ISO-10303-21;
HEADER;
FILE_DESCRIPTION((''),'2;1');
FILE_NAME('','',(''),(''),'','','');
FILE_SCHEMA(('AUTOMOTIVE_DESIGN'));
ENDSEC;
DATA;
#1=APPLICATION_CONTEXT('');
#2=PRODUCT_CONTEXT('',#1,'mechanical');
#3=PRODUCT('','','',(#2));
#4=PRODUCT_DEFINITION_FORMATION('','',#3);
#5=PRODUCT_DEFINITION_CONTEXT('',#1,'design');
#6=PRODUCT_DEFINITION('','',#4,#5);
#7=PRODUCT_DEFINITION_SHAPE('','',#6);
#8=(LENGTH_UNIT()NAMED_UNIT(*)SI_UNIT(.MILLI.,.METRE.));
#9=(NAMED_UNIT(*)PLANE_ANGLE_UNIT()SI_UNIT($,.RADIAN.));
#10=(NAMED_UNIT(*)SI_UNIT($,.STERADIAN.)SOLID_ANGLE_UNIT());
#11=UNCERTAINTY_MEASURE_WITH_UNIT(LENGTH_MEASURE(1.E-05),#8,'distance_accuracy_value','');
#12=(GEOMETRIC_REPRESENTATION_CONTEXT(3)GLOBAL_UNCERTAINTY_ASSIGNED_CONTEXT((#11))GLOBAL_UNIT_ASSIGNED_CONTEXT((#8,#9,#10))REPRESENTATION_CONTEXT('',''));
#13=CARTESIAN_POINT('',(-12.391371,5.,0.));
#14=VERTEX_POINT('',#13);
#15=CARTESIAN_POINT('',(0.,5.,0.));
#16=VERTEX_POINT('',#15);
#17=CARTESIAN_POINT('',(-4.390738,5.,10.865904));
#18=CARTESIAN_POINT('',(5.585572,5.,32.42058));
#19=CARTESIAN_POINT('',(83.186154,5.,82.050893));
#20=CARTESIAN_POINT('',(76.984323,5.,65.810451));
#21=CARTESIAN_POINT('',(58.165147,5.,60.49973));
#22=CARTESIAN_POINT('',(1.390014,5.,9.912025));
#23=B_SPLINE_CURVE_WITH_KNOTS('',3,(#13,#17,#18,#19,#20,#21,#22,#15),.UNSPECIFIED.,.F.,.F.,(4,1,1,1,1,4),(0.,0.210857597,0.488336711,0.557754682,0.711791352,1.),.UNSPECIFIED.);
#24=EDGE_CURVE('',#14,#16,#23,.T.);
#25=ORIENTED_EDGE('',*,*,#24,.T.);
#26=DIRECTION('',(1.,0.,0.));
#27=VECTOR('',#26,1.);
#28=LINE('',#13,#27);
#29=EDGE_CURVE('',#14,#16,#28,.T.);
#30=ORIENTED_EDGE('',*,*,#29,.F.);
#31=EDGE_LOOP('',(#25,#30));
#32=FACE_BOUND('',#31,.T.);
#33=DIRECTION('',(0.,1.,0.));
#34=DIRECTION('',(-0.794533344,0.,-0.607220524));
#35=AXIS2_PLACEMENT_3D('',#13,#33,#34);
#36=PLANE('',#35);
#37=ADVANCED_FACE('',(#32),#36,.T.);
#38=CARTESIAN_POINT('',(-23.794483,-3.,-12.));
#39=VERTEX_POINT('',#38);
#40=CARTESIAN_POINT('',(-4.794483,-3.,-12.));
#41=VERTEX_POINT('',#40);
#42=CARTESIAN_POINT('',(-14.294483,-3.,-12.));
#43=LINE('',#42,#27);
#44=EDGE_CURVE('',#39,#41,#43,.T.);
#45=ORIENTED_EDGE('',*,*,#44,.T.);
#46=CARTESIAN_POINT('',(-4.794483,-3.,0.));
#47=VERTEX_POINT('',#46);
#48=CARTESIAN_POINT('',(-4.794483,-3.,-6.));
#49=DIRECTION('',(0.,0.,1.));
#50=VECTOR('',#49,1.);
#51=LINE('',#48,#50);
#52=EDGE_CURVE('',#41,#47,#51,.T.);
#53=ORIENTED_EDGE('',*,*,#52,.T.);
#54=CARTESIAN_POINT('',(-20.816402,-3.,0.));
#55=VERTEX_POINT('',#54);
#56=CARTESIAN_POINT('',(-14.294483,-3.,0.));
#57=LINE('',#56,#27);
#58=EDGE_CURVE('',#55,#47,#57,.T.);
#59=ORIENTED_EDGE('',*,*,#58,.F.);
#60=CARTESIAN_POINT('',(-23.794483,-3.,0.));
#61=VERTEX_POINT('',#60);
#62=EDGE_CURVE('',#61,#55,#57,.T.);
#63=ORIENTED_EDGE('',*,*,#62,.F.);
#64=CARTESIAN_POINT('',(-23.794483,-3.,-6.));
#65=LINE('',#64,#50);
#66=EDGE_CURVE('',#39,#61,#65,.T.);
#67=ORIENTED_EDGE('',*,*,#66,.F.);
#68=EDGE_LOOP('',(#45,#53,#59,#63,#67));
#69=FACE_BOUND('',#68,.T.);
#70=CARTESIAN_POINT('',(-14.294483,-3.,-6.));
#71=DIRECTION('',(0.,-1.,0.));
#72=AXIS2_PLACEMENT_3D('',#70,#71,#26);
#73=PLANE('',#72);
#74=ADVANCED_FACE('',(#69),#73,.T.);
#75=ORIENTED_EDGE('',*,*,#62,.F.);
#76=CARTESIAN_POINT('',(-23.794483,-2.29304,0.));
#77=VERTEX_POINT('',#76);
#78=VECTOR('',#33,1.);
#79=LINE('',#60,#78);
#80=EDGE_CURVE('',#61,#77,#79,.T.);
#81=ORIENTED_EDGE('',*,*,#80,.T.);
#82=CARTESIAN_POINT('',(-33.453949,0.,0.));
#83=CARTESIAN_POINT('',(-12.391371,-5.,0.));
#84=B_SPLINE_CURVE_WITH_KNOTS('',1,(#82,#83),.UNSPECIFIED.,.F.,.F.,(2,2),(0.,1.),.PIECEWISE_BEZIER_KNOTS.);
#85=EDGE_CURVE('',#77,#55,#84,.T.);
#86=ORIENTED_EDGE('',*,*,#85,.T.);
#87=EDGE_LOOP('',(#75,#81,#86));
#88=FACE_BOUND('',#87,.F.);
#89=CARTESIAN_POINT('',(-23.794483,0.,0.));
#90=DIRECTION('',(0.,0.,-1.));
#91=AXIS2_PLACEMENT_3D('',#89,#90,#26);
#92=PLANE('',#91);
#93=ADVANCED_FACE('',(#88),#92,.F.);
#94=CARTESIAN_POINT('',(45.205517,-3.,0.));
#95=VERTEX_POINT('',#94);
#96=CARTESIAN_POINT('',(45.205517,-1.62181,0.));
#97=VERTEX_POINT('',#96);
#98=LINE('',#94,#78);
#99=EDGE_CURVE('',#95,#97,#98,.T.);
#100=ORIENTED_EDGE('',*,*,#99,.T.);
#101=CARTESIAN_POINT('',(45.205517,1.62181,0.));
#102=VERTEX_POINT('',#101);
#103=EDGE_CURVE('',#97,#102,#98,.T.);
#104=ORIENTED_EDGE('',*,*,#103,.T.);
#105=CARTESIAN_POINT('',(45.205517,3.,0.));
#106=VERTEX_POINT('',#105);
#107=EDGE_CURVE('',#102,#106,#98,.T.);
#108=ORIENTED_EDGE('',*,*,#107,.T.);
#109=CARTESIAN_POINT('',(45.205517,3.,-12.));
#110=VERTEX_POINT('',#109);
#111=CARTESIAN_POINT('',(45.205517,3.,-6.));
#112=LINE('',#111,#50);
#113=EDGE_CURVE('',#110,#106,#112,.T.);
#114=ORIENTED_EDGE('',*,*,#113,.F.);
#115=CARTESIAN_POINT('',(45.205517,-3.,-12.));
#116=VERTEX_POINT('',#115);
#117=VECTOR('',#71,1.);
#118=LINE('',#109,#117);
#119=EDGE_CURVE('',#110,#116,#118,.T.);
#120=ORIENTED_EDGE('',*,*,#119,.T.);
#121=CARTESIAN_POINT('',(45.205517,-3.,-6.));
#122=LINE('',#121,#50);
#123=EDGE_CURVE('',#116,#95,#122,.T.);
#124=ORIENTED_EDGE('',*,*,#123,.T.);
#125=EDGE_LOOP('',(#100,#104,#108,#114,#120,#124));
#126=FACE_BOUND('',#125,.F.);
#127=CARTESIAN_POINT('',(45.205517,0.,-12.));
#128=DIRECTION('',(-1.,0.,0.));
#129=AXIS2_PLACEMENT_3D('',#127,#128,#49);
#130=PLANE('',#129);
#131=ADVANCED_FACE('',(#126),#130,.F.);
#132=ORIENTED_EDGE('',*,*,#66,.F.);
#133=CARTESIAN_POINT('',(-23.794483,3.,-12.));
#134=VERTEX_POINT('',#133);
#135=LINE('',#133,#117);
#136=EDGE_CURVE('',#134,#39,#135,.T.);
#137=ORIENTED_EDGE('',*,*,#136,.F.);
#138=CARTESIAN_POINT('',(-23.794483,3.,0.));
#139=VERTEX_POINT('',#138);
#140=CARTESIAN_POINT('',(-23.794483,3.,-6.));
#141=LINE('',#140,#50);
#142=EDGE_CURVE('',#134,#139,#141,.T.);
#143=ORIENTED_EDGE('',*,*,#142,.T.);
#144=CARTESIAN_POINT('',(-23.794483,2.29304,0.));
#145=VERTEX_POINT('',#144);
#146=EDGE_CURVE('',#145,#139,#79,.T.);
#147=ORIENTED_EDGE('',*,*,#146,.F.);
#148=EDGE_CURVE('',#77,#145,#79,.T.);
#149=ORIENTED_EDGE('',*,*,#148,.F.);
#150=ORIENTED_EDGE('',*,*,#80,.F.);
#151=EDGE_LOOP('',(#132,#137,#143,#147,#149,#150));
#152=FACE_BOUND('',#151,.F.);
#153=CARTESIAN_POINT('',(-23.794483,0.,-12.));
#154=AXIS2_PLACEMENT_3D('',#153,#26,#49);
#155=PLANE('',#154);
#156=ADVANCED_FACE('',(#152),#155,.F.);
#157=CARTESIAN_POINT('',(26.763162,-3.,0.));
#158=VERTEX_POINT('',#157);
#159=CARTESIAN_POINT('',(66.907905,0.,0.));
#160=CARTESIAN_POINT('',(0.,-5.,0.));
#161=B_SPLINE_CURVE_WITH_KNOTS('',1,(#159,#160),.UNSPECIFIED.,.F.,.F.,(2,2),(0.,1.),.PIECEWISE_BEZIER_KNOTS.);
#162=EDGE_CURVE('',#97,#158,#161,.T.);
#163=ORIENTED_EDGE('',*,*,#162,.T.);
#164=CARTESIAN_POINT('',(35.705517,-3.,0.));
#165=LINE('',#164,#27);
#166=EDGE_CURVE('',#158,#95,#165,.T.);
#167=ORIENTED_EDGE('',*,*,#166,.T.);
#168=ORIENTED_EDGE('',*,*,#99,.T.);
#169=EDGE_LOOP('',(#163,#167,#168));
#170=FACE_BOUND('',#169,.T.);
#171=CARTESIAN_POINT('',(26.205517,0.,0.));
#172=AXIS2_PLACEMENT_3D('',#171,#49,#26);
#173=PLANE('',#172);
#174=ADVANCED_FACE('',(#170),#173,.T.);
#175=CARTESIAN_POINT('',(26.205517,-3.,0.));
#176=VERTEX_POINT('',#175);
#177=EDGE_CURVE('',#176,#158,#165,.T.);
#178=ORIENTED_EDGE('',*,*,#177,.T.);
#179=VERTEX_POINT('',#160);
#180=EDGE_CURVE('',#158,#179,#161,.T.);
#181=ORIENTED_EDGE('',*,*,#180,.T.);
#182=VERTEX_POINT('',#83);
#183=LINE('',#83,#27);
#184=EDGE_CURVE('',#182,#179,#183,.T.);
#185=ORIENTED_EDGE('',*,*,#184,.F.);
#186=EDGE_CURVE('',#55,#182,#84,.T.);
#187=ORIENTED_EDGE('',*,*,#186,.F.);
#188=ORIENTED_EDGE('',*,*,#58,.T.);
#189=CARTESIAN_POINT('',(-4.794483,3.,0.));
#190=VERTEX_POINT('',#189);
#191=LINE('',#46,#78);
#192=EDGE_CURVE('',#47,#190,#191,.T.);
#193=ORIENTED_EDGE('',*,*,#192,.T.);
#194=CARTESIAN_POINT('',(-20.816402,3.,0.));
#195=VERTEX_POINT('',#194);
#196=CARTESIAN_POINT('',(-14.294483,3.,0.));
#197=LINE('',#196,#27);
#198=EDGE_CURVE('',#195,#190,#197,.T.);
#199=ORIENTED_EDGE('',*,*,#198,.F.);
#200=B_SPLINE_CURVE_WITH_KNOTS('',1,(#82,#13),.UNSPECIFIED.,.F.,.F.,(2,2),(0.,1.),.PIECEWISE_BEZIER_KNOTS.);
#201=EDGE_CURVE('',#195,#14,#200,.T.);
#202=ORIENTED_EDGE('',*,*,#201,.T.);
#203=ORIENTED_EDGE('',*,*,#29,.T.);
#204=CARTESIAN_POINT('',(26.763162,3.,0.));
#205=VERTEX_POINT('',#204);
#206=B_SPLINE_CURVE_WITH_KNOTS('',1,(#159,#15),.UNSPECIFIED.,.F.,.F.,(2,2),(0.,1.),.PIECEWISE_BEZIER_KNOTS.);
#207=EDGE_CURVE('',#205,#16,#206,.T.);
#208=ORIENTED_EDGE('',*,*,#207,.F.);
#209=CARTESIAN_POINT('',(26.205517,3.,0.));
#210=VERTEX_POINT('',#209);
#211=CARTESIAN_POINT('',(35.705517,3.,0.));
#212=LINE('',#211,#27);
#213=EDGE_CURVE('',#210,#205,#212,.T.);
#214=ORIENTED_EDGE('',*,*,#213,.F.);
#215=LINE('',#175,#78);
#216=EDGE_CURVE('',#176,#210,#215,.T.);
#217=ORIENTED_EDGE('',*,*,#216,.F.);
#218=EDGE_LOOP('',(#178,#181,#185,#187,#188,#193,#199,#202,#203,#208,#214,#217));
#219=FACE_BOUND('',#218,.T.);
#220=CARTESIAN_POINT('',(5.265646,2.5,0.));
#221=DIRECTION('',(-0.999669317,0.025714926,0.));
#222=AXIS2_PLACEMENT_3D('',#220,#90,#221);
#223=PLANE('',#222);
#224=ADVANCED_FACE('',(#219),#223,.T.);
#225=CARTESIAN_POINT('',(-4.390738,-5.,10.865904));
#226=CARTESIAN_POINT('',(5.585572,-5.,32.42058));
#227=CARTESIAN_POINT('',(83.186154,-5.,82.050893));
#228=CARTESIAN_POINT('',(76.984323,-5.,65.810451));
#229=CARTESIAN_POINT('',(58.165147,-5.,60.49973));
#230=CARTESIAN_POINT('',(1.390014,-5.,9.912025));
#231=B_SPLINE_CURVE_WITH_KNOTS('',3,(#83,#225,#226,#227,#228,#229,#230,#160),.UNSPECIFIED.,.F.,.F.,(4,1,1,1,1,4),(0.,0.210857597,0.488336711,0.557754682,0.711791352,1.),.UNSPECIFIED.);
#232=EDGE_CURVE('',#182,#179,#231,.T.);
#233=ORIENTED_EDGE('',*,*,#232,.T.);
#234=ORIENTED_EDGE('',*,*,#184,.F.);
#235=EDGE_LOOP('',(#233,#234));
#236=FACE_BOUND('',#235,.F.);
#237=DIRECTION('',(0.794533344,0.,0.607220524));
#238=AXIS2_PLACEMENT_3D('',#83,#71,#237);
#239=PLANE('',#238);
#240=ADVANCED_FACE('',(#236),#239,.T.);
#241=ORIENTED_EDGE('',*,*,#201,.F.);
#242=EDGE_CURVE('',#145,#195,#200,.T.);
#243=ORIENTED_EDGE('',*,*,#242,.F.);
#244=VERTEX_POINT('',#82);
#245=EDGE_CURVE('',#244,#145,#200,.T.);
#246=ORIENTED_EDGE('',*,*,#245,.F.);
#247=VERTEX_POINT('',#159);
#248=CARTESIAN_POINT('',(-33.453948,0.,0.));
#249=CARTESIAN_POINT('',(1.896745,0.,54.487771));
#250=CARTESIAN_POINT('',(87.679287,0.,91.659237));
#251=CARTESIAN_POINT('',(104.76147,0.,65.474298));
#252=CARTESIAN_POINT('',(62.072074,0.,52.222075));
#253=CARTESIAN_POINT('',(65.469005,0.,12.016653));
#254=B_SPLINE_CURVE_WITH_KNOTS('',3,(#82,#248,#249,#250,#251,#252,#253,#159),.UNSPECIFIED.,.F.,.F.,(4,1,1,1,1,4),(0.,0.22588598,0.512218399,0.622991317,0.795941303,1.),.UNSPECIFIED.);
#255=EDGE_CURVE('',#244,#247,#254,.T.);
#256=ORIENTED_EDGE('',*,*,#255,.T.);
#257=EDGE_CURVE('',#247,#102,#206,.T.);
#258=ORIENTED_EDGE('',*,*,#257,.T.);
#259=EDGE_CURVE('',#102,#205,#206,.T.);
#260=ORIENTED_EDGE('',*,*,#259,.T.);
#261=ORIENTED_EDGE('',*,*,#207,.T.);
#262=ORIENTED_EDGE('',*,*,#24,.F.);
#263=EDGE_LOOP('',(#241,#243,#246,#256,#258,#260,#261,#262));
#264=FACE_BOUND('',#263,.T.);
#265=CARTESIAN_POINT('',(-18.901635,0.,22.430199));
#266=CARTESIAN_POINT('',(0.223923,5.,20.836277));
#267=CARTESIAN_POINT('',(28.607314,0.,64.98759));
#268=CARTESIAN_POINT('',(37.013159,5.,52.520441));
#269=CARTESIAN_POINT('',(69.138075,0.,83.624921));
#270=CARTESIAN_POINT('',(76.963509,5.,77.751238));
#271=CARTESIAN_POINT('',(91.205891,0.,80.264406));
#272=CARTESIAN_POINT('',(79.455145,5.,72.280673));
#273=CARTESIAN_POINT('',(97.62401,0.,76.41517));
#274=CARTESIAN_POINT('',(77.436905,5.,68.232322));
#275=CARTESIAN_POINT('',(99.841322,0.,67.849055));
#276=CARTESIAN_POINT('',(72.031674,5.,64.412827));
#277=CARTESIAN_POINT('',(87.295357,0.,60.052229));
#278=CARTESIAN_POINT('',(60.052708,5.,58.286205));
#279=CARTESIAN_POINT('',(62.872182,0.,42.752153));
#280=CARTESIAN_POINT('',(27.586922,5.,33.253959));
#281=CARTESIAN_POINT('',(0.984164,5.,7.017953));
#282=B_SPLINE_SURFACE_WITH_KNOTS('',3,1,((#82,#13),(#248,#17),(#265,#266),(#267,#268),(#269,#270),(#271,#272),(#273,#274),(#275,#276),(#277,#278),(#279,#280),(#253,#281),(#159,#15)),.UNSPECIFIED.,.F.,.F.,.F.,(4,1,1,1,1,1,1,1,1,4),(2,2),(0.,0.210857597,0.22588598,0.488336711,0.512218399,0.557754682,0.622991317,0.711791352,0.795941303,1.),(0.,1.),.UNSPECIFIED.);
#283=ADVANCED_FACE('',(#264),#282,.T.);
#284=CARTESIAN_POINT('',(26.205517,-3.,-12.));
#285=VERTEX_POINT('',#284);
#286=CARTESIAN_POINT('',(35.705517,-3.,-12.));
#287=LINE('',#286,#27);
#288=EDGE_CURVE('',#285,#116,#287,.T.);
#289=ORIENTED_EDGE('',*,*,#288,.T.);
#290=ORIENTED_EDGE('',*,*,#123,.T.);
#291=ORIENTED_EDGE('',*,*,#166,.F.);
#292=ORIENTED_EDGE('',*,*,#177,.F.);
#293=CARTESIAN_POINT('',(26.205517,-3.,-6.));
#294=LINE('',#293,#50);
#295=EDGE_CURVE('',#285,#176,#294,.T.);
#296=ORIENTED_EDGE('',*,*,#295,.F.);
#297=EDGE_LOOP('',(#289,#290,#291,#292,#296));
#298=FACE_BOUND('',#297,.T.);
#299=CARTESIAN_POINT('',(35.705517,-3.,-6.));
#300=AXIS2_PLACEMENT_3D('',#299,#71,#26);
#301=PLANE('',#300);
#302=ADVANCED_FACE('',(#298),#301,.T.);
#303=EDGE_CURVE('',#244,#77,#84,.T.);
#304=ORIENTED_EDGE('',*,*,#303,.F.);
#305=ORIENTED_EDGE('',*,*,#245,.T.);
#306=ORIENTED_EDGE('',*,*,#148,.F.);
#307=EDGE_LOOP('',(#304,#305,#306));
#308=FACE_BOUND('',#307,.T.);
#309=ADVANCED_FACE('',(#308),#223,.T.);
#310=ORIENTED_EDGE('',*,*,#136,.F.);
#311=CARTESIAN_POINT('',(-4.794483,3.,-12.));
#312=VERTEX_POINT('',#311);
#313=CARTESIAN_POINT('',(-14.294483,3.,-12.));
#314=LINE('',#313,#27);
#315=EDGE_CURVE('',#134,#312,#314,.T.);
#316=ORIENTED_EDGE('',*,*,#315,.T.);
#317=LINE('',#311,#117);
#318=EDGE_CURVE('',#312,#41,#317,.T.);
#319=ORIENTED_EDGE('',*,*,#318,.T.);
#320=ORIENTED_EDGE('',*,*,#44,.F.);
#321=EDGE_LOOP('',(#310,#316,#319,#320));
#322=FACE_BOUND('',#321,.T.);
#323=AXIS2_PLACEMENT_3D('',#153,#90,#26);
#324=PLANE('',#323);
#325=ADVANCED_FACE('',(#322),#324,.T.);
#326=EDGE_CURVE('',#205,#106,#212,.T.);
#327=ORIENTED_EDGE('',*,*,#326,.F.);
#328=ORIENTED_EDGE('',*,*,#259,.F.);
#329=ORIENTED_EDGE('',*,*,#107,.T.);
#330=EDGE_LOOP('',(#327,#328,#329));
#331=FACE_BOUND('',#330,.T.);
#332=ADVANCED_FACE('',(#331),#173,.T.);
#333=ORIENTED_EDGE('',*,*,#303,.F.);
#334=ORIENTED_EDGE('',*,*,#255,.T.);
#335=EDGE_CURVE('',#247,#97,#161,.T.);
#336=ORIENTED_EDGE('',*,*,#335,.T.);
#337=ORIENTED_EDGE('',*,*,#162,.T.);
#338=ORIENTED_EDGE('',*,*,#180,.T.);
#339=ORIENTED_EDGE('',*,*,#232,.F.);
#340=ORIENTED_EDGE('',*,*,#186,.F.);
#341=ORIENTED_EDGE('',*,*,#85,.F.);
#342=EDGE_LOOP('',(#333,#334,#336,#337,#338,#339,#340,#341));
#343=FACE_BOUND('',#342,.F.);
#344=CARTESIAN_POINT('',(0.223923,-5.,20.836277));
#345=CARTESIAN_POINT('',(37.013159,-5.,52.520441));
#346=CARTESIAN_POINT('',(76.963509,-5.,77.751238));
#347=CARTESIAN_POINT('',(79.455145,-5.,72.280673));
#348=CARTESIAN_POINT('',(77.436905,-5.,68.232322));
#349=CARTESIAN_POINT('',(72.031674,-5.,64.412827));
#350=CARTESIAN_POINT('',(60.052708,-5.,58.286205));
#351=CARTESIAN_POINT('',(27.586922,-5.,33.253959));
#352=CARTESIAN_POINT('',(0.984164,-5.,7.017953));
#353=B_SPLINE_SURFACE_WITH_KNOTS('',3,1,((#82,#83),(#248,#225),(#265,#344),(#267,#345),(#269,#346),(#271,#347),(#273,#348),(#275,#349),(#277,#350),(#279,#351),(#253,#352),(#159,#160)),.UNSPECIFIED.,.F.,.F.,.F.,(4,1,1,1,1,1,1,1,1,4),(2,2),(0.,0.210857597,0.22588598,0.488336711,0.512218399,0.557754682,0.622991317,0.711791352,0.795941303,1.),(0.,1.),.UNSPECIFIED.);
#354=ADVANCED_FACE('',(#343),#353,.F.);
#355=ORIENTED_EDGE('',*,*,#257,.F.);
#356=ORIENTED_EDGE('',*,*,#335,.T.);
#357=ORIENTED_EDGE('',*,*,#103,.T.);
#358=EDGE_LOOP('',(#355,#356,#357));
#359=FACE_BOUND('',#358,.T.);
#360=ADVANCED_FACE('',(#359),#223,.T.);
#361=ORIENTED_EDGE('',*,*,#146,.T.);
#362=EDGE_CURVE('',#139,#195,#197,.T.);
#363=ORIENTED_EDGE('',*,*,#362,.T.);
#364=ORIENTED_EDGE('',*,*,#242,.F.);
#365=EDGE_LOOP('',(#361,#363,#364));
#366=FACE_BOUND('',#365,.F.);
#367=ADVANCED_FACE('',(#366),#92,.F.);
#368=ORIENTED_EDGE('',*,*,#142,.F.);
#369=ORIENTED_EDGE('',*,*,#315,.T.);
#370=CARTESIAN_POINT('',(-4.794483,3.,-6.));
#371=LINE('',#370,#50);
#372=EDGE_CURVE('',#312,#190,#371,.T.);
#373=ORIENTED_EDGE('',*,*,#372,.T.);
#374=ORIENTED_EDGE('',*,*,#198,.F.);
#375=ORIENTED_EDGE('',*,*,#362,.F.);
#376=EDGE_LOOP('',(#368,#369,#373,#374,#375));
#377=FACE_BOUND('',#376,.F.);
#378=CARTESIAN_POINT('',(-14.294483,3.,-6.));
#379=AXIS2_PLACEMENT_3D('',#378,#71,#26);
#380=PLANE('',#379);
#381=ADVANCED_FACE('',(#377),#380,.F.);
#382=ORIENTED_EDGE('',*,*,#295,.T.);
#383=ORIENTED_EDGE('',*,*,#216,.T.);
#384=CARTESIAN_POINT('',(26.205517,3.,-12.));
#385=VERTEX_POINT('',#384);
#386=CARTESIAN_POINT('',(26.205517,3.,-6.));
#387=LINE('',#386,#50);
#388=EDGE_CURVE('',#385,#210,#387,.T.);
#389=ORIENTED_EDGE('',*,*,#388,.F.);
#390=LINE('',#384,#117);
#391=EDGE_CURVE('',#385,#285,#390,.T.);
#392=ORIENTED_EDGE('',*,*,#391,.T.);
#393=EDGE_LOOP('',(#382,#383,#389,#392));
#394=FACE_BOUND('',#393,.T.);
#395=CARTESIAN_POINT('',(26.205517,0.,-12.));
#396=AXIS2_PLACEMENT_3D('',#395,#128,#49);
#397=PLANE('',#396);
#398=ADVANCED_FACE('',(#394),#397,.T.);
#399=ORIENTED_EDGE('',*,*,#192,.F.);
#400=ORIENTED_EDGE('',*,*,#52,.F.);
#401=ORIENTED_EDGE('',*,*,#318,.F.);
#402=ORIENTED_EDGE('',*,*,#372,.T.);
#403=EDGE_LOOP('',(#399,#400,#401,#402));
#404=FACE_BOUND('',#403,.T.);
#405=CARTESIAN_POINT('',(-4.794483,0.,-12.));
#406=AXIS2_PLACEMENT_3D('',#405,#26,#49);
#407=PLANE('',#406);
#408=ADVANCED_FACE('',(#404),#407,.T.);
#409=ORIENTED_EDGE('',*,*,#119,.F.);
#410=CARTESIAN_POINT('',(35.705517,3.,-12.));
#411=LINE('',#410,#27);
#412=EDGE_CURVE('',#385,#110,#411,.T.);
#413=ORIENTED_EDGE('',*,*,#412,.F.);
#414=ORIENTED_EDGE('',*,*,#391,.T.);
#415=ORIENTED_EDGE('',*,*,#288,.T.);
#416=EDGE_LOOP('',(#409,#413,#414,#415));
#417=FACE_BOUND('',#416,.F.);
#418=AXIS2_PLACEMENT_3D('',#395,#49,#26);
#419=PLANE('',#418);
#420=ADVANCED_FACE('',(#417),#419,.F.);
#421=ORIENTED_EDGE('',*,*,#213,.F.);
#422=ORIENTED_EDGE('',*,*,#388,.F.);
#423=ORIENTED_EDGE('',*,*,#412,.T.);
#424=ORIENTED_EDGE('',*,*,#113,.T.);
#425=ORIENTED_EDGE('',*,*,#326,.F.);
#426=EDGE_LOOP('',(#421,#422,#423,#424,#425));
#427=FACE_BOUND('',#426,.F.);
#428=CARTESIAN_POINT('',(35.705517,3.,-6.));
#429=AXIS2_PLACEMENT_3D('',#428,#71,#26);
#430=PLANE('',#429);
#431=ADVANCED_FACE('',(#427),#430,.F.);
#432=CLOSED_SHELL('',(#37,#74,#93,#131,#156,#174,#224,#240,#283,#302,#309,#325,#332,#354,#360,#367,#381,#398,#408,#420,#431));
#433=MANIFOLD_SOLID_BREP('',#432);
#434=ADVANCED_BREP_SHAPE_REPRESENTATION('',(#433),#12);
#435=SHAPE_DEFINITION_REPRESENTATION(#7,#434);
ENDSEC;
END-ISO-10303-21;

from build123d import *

# Parameters (mm, degrees)
F5_W     = 19
F5_H     = 12
F6_DEPTH = 3


with BuildPart() as f3:
    # F0 (on Front) → F3 section 0
    with BuildSketch(Plane.XZ):
        with BuildLine():
            add(Edge.make_bspline(
                [(-33.4539487958, 0), (-33.4539475141, 0), (1.8967446088, 54.4877709826), (87.6792873597, 91.6592373474), (104.7614702217, 65.474297534), (62.0720738186, 52.2220753998), (65.4690045649, 12.016653457), (66.9079050422, 0)],
                knots=[0, 0, 0, 0, 0.2258859795, 0.5122183994, 0.6229913169, 0.7959413028, 1, 1, 1, 1], degree=3))
            Line((-33.4539487958, 0), (66.9079050422, 0))
        make_face()
    # F2 (on offset) → F3 section 1
    with BuildSketch(Plane.XZ.offset(5)):
        with BuildLine():
            add(Edge.make_bspline(
                [(-12.3913707212, 0), (-4.3907383925, 10.8659039807), (5.5855721966, 32.4205796435), (83.1861544033, 82.0508925585), (76.9843234234, 65.810450768), (58.1651473267, 60.4997302931), (1.3900142987, 9.9120248782), (0, 0)],
                knots=[0, 0, 0, 0, 0.2108575974, 0.4883367114, 0.5577546823, 0.7117913524, 1, 1, 1, 1], degree=3))
            Line((-12.3913707212, 0), (0, 0))
        make_face()
    loft()

    # F4: F3 across plane


with BuildPart() as f3_1:
    add(f3.part)
    add(f3.part.mirror(Plane.XZ))

    # F5 (on Front) → F6 (join, symmetric)
    with BuildSketch(Plane.XZ):
        with Locations((35.7055166066, -6)):
            Rectangle(F5_W, F5_H)
        with Locations((-14.2944833934, -6)):
            Rectangle(F5_W, F5_H)
    extrude(amount=F6_DEPTH, both=True)


solid = f3_1.part
